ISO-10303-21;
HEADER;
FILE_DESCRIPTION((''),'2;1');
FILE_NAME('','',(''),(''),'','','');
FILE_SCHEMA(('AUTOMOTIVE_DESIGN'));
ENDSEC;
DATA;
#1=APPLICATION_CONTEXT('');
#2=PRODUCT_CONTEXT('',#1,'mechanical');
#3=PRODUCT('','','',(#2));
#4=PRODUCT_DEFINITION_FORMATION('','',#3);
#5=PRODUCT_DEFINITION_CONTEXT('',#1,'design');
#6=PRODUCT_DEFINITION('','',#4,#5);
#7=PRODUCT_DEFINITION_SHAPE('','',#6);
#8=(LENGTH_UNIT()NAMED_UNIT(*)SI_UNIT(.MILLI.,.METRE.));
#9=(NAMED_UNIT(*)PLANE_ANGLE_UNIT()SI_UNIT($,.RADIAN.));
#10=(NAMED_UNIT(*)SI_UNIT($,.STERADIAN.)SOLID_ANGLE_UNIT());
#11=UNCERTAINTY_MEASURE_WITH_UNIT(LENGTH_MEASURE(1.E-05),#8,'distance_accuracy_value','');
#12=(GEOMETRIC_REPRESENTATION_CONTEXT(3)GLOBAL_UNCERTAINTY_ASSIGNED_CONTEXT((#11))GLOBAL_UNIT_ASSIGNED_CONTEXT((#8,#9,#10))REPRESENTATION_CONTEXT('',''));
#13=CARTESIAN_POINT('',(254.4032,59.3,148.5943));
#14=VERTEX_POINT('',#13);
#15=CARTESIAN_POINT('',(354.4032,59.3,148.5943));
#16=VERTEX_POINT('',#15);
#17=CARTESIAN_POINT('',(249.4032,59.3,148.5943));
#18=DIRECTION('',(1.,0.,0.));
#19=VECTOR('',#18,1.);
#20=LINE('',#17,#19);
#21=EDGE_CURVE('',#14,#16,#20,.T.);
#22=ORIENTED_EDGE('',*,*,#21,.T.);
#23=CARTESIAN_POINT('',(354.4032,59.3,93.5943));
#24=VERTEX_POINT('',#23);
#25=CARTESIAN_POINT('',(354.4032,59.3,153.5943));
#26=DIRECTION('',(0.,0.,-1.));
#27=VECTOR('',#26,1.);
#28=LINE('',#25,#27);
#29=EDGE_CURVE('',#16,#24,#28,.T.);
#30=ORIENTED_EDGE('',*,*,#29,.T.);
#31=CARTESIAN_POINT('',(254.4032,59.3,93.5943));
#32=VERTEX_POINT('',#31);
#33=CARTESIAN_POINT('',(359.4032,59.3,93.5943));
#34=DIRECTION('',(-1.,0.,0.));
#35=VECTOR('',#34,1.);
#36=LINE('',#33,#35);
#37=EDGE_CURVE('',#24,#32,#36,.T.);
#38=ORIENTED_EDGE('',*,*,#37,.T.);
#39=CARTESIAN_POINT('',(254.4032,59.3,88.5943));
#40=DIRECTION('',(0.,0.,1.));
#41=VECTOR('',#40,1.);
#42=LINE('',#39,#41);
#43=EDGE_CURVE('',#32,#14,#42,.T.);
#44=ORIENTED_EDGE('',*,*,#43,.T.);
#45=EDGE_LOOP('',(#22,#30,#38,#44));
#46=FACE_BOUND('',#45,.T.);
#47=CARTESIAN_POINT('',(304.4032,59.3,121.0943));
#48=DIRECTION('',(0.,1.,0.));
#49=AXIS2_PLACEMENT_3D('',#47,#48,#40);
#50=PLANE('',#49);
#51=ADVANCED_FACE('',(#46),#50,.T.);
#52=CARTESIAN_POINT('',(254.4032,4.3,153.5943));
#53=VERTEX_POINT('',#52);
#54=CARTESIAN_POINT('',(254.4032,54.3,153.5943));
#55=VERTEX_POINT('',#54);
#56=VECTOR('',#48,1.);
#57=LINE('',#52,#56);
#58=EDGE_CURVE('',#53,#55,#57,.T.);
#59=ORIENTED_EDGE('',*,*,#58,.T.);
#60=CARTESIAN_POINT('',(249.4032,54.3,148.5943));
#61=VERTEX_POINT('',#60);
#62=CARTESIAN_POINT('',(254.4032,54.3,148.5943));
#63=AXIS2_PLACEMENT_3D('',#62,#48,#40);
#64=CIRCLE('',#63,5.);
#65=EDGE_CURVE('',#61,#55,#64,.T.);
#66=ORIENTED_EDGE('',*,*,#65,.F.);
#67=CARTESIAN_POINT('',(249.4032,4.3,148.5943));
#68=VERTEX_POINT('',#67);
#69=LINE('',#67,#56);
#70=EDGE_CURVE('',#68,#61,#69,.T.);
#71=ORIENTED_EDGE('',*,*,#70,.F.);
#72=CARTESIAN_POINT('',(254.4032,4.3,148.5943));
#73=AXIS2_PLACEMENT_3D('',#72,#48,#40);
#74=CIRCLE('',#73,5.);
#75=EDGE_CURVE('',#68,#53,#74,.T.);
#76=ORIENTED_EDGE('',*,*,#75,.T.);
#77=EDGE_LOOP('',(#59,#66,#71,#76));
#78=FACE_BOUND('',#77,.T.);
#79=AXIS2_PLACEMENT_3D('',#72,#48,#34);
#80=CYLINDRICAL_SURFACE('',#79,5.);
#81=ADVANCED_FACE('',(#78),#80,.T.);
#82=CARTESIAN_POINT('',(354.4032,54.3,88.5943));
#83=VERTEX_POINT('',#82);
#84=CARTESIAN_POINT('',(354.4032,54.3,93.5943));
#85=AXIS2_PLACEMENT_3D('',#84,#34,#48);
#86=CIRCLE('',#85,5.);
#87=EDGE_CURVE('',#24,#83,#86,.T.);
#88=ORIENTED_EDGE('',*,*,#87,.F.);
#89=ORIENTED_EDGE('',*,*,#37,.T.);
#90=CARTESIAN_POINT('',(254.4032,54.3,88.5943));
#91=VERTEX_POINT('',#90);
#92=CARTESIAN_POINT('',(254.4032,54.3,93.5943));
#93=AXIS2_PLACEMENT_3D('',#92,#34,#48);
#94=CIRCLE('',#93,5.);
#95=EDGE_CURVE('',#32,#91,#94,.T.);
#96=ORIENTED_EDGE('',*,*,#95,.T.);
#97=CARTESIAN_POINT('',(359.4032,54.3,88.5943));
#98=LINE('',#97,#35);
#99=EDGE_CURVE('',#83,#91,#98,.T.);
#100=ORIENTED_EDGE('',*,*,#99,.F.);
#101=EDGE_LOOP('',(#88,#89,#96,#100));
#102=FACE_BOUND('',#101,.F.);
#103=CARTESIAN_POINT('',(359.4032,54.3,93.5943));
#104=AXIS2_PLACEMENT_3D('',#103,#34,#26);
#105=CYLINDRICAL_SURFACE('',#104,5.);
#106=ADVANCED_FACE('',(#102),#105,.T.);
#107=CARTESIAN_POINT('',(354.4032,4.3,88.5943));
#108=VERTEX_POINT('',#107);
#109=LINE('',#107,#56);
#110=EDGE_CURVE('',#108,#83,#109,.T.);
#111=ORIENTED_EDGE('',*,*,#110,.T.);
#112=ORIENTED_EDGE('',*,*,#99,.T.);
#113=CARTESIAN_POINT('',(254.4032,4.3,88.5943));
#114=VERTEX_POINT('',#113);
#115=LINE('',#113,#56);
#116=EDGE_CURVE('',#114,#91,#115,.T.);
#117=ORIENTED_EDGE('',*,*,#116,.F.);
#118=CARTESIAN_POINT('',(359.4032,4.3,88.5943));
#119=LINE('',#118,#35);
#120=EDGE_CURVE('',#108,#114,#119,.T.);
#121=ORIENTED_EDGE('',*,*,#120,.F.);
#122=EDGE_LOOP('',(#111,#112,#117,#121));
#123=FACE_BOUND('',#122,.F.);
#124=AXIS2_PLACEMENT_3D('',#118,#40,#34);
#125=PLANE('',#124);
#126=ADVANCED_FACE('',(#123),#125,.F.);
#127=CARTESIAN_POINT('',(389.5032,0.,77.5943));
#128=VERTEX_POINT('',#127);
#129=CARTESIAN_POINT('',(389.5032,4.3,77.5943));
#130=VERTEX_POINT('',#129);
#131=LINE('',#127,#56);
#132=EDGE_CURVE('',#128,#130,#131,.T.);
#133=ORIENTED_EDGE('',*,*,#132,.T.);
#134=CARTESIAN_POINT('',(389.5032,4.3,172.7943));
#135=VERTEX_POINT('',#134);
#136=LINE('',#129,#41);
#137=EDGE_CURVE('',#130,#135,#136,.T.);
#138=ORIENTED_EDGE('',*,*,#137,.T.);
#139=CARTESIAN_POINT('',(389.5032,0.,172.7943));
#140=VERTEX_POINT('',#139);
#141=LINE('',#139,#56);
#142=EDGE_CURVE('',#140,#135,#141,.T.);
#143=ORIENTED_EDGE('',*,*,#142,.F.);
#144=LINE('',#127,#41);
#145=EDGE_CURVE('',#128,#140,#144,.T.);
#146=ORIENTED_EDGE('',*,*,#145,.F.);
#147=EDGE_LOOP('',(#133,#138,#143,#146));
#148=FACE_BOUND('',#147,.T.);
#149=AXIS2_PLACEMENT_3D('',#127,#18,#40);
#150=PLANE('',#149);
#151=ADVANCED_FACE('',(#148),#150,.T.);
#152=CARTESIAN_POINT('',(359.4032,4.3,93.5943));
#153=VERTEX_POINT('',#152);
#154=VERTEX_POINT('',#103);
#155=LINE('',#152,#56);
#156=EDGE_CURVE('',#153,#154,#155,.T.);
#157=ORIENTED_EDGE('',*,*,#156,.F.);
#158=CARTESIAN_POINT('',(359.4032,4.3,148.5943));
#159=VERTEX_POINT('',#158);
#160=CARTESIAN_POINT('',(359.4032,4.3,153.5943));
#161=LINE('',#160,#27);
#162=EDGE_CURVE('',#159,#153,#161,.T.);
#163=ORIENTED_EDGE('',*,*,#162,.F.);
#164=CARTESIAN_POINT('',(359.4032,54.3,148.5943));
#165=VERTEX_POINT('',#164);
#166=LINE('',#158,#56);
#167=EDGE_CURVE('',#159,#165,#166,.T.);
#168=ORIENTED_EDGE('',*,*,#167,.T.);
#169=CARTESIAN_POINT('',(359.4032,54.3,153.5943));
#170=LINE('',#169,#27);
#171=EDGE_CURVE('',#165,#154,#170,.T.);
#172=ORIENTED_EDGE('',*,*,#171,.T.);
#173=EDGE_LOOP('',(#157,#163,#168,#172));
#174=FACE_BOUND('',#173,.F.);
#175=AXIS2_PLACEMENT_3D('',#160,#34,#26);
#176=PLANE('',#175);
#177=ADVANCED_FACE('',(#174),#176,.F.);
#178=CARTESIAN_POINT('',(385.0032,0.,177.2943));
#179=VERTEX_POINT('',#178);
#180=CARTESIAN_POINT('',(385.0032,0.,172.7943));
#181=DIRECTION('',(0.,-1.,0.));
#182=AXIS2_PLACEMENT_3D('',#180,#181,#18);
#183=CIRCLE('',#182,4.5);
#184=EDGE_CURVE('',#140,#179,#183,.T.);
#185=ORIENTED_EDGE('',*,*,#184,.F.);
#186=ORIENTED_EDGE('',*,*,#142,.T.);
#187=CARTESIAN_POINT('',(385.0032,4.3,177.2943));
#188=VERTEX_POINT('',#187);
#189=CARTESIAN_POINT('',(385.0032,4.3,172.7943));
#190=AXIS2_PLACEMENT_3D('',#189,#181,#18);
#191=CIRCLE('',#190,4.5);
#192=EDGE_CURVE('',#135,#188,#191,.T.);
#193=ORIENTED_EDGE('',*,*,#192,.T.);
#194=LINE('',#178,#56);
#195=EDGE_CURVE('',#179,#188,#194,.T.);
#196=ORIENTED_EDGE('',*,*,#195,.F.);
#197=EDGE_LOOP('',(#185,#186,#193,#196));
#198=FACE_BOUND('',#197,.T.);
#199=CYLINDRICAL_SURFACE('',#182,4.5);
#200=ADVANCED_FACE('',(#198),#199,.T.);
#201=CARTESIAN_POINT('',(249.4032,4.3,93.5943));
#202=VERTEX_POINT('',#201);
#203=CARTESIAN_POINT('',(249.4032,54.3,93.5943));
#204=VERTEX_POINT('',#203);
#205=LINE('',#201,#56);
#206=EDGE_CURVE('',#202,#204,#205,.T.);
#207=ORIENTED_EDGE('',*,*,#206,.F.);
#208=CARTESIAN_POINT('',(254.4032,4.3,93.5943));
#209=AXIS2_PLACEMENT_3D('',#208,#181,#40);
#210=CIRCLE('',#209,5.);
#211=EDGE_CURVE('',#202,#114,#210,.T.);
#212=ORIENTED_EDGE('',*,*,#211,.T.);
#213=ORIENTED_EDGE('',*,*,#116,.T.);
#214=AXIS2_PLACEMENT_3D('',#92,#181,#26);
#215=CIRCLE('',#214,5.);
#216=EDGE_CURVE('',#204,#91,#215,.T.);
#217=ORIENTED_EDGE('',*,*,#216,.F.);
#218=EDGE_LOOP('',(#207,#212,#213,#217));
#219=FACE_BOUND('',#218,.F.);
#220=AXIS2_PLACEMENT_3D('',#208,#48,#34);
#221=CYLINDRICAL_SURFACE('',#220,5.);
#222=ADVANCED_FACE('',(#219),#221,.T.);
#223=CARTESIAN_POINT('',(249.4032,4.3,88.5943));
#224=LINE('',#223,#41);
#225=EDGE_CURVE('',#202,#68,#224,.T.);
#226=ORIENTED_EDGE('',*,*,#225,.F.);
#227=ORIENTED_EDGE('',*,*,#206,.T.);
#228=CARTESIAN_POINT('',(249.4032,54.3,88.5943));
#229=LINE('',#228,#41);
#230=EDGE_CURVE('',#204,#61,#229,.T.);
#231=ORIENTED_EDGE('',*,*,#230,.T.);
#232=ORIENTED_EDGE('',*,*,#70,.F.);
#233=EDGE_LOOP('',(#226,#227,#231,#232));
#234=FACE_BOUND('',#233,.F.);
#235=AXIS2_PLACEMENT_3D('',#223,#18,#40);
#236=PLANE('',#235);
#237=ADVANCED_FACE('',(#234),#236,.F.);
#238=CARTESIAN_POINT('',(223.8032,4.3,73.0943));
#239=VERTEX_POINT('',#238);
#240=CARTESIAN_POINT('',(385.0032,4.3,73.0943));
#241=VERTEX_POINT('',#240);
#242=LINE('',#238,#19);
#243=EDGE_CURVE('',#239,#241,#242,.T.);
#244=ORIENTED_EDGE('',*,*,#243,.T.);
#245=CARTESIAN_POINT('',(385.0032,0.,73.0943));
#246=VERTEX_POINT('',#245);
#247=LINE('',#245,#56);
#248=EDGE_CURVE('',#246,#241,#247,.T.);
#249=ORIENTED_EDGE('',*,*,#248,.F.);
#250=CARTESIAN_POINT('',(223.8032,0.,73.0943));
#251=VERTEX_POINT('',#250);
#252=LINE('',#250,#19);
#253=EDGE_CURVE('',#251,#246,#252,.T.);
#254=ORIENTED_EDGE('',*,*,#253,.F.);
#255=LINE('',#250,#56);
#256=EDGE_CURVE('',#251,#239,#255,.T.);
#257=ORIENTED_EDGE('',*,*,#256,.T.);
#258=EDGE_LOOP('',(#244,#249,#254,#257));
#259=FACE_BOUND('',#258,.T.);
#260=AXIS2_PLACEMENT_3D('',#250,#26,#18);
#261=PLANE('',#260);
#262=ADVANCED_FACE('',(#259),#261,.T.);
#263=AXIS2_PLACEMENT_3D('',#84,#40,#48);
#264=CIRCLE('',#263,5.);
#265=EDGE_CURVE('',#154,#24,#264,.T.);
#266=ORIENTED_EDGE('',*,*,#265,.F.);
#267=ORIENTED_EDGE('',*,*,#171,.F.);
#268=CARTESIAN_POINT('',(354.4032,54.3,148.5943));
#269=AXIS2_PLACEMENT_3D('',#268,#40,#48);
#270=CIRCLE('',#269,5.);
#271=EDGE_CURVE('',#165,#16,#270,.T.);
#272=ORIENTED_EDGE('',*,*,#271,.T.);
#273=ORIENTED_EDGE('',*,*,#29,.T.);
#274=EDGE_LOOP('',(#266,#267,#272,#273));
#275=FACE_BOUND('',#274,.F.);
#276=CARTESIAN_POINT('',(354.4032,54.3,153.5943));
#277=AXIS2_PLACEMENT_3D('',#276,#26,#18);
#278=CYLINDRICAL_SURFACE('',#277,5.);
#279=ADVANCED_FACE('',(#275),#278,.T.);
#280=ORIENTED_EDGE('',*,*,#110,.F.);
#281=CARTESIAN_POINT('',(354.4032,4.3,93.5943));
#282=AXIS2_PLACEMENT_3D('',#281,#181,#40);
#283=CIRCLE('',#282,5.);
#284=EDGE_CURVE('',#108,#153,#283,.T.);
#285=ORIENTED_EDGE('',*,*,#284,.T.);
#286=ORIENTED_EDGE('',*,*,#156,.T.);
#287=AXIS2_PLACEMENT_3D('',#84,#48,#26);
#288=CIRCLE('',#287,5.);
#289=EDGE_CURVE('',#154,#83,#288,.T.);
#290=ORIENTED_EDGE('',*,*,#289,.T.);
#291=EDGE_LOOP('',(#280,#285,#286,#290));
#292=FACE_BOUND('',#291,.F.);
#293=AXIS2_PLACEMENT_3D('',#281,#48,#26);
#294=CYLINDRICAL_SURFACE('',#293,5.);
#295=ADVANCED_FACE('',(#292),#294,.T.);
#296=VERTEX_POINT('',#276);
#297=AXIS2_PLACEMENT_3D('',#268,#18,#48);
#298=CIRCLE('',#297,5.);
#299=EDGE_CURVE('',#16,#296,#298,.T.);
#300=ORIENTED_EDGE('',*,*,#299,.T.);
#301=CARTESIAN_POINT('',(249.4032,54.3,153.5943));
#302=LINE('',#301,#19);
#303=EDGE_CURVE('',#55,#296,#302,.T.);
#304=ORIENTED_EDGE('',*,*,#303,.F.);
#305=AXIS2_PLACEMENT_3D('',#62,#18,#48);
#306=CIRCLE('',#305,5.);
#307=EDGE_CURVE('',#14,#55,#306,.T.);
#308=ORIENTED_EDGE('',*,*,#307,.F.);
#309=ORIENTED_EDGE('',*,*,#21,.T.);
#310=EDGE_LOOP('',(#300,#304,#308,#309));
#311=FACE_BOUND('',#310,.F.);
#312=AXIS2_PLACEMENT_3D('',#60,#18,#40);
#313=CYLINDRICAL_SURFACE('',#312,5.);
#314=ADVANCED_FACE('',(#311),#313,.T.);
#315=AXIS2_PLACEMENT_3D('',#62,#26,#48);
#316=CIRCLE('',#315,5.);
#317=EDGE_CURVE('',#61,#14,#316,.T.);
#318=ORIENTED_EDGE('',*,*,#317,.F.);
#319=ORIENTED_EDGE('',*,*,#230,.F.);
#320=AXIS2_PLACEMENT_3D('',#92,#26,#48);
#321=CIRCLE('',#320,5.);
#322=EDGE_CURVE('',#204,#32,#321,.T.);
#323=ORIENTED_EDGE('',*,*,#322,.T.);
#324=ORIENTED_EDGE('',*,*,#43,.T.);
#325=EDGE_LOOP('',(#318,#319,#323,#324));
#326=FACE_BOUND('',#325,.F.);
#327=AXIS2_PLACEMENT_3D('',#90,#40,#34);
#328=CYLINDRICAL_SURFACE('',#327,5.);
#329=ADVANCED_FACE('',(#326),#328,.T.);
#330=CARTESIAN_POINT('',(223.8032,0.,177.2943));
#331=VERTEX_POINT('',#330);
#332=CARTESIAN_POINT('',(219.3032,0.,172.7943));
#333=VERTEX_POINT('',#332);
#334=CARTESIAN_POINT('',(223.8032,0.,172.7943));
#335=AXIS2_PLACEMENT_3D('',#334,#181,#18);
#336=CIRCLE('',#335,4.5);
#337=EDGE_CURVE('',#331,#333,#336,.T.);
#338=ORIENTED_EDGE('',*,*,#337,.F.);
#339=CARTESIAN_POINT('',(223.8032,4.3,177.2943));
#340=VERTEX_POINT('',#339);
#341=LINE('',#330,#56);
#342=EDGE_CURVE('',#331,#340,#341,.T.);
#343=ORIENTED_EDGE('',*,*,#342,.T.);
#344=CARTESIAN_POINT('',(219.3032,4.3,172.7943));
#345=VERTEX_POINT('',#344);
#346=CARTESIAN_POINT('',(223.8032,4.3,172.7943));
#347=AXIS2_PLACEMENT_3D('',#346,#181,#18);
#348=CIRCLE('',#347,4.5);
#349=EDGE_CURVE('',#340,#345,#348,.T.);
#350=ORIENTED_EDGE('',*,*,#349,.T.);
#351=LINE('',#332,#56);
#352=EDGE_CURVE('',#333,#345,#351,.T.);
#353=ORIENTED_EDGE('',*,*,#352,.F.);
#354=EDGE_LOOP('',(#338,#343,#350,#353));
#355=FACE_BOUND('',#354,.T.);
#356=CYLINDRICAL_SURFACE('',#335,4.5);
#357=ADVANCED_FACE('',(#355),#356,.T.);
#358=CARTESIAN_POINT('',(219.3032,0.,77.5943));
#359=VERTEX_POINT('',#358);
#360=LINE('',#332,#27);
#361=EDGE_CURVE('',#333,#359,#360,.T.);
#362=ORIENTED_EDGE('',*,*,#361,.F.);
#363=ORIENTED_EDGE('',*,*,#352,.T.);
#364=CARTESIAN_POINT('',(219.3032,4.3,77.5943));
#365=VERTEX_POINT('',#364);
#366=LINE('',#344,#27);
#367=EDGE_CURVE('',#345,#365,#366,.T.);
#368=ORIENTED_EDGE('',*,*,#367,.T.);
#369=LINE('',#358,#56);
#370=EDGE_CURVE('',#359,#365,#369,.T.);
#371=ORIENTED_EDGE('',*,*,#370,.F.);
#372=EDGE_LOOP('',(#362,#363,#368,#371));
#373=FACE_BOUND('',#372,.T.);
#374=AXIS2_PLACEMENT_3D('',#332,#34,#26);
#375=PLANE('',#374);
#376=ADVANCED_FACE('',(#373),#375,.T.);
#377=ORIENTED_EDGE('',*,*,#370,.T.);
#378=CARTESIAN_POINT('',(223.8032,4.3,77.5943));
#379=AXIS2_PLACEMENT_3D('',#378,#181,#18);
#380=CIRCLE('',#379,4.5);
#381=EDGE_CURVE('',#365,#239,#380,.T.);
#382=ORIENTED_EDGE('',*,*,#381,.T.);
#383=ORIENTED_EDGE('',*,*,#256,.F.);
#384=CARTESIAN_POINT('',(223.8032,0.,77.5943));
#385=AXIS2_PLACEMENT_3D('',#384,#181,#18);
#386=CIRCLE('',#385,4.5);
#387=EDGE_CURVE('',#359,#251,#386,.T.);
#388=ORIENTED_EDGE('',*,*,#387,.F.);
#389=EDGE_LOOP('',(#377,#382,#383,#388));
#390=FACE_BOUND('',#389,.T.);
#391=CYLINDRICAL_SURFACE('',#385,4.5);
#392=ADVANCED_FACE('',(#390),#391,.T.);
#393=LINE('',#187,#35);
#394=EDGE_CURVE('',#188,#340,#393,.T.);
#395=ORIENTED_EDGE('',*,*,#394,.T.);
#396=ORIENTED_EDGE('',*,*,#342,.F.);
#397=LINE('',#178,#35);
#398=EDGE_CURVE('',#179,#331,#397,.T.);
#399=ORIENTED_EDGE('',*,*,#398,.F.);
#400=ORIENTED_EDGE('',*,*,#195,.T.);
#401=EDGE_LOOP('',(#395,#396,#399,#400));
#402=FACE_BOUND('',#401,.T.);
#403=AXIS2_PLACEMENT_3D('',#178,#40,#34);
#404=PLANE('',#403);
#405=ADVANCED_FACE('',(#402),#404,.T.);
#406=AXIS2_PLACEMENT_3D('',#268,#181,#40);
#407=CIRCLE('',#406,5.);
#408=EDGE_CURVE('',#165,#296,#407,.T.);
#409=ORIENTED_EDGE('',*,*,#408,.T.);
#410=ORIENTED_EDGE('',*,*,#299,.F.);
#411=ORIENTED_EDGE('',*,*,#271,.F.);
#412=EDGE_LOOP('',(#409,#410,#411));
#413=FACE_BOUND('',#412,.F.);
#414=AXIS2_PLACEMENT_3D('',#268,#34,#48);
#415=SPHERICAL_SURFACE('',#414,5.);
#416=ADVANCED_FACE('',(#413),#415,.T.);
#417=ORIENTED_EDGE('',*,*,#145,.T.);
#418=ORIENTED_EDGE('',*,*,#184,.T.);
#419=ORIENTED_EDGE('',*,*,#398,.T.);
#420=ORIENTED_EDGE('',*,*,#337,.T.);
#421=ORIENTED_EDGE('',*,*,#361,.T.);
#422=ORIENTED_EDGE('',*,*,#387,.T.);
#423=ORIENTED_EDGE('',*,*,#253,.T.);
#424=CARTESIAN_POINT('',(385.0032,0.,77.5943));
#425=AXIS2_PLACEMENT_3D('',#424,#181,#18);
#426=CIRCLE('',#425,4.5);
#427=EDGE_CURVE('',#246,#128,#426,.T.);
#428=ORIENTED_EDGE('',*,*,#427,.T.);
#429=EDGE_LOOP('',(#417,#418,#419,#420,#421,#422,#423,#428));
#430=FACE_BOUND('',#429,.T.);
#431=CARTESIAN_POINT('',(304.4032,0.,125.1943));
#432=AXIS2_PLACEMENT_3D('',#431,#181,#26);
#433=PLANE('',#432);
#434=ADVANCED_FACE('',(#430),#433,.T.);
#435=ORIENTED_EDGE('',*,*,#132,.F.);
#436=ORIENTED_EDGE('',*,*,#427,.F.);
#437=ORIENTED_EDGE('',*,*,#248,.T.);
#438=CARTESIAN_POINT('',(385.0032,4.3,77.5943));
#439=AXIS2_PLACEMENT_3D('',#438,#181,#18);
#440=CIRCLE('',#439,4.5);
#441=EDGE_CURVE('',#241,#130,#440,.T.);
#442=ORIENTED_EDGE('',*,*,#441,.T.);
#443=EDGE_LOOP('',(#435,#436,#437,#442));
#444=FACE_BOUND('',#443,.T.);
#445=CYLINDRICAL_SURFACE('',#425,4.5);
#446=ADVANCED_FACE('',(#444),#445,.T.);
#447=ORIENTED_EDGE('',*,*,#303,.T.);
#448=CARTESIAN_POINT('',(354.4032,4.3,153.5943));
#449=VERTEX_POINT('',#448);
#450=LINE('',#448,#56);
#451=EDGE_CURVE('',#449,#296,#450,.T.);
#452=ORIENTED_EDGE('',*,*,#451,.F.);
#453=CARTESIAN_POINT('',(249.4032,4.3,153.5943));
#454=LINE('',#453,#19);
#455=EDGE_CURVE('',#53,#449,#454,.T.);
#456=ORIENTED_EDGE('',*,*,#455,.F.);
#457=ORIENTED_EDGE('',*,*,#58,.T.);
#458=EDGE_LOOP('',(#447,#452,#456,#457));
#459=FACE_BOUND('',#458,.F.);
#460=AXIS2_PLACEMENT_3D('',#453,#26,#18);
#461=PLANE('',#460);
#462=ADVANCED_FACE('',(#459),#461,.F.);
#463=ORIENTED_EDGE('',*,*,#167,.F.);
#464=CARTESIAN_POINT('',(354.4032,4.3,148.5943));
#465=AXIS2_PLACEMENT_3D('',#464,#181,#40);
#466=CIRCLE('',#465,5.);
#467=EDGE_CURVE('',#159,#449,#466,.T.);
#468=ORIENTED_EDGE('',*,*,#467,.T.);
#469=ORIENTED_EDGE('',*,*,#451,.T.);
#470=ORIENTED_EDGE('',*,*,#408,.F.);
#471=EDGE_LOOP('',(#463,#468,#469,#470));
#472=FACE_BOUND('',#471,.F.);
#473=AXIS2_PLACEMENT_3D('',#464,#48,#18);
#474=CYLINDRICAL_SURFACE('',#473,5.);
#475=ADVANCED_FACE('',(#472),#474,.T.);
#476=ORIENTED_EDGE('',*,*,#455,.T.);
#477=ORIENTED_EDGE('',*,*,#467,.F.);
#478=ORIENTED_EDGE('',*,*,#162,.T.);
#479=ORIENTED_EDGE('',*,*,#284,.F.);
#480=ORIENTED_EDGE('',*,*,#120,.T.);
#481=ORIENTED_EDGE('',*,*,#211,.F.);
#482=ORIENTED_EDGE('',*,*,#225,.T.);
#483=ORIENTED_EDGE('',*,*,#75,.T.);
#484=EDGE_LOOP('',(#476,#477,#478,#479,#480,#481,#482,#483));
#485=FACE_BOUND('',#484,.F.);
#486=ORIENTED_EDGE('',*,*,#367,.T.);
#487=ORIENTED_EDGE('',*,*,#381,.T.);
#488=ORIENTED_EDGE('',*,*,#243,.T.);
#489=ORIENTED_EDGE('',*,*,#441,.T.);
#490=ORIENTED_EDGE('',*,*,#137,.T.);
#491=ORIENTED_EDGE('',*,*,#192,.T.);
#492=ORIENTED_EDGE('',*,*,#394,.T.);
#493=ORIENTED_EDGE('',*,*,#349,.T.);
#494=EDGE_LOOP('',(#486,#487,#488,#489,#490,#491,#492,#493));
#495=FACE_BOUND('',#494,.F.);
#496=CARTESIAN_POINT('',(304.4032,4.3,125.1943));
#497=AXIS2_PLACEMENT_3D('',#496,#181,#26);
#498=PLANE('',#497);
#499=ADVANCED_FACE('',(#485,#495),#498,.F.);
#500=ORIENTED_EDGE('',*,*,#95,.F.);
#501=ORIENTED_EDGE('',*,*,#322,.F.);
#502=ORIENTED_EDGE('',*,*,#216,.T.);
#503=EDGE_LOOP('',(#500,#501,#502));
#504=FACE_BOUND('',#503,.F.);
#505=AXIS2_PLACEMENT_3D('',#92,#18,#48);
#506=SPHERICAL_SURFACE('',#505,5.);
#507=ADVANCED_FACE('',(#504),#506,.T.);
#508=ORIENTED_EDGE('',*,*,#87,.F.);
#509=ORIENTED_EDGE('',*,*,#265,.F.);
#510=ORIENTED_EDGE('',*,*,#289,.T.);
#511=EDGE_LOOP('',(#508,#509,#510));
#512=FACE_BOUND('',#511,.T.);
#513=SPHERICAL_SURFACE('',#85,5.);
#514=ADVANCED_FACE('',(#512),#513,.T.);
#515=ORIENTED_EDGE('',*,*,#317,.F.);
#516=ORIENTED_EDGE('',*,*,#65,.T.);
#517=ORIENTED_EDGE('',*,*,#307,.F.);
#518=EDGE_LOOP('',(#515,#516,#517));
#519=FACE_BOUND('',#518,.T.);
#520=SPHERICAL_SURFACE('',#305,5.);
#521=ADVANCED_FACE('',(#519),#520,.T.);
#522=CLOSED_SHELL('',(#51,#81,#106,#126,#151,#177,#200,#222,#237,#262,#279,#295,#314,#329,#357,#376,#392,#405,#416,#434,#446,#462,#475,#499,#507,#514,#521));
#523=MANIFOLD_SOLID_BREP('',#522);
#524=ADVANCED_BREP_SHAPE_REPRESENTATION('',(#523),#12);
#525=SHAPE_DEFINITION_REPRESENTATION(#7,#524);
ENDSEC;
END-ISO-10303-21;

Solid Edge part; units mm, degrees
sketch "Sketch1" plane through (0, 0, 0) normal (0, -1, 0) x (1, 0, 0)
  arc A0 (385.0032, 73.0943) -> (389.5032, 77.5943) centre (385.0032, 77.5943) ccw
  line L0 (389.5032, 77.5943) -> (389.5032, 172.7943)
  arc A1 (389.5032, 172.7943) -> (385.0032, 177.2943) centre (385.0032, 172.7943) ccw
  line L1 (385.0032, 177.2943) -> (223.8032, 177.2943)
  arc A2 (223.8032, 177.2943) -> (219.3032, 172.7943) centre (223.8032, 172.7943) ccw
  line L2 (219.3032, 172.7943) -> (219.3032, 77.5943)
  arc A3 (219.3032, 77.5943) -> (223.8032, 73.0943) centre (223.8032, 77.5943) ccw
  line L3 (223.8032, 73.0943) -> (385.0032, 73.0943)
extrude "Protrusion1" add sketch "Sketch1" against normal blind 4.3
sketch "Sketch2" plane through (304.4032, 4.3, 125.1943) normal (0, 1, 0) x (-1, 0, 0)
  line L0 (55, 28.4) -> (-55, 28.4)
  line L1 (-55, 28.4) -> (-55, -36.6)
  line L2 (-55, -36.6) -> (55, -36.6)
  line L3 (55, -36.6) -> (55, 28.4)
extrude "ExtrudedProtrusion_2" add sketch "Sketch2" along normal blind 55
fillet "Round_1" radius 5 8 edges at (304.4032, 59.3, 153.5943) (304.4032, 59.3, 88.5943) (359.4032, 59.3, 121.0943) (249.4032, 59.3, 121.0943) (359.4032, 31.8, 153.5943) (359.4032, 31.8, 88.5943) (249.4032, 31.8, 153.5943) (249.4032, 31.8, 88.5943)
